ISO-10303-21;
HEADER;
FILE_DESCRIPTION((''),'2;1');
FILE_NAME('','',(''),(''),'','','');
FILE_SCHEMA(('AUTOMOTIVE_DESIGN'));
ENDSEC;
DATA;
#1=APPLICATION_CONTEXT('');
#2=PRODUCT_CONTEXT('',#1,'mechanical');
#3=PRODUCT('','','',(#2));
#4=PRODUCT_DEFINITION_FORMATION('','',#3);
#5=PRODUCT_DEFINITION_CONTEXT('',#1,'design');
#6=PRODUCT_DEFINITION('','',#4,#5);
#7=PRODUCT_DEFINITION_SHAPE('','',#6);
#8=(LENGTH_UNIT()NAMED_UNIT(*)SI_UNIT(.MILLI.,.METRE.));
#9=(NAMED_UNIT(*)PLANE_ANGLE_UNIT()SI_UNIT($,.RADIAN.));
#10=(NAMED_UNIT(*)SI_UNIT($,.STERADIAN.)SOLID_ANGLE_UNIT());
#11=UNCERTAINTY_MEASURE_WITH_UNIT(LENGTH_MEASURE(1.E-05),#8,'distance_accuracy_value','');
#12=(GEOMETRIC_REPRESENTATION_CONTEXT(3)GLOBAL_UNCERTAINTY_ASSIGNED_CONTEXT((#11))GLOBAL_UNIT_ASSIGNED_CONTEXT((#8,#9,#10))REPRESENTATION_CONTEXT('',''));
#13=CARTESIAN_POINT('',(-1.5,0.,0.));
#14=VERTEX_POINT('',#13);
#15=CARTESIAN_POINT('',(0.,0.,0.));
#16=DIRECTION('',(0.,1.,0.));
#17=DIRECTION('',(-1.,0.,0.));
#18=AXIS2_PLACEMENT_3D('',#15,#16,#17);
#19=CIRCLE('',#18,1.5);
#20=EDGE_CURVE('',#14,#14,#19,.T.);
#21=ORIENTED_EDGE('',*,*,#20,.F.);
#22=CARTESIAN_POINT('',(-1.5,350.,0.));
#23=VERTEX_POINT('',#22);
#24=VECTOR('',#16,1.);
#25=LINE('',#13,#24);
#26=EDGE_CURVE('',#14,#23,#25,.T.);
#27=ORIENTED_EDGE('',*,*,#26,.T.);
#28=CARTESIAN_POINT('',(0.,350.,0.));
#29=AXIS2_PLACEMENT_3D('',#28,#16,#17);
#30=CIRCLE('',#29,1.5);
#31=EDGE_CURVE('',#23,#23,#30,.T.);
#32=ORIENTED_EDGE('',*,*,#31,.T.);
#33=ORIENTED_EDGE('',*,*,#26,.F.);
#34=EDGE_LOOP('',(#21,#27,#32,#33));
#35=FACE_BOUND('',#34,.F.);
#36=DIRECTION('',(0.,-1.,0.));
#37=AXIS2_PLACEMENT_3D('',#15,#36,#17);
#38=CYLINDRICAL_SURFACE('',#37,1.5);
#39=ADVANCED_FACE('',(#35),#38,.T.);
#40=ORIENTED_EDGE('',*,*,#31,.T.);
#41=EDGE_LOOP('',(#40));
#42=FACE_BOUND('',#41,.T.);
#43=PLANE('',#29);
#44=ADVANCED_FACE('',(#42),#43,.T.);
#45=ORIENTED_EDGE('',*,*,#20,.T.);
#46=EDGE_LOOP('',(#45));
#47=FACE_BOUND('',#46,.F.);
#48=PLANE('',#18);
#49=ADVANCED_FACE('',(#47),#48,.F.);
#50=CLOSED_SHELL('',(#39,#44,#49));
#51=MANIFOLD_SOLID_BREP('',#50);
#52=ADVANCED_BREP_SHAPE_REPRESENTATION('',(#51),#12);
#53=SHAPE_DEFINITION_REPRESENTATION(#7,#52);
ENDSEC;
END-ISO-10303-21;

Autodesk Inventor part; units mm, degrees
ref_plane "YZ Plane" through (0, 0, 0) normal (1, 0, 0) x (0, 1, 0)
ref_plane "XZ Plane" through (0, 0, 0) normal (0, 1, 0) x (-1, 0, 0)
ref_plane "XY Plane" through (0, 0, 0) normal (0, 0, 1) x (1, 0, 0)
sketch "スケッチ1" plane through (0, 0, 0) normal (0, 1, 0) x (-1, 0, 0)
  circle A0 centre (0, 0) radius 1.5
  dimension "d0" = 3
extrude "押し出し1" add sketch "スケッチ1" along normal blind 350
properties part number "stick"
